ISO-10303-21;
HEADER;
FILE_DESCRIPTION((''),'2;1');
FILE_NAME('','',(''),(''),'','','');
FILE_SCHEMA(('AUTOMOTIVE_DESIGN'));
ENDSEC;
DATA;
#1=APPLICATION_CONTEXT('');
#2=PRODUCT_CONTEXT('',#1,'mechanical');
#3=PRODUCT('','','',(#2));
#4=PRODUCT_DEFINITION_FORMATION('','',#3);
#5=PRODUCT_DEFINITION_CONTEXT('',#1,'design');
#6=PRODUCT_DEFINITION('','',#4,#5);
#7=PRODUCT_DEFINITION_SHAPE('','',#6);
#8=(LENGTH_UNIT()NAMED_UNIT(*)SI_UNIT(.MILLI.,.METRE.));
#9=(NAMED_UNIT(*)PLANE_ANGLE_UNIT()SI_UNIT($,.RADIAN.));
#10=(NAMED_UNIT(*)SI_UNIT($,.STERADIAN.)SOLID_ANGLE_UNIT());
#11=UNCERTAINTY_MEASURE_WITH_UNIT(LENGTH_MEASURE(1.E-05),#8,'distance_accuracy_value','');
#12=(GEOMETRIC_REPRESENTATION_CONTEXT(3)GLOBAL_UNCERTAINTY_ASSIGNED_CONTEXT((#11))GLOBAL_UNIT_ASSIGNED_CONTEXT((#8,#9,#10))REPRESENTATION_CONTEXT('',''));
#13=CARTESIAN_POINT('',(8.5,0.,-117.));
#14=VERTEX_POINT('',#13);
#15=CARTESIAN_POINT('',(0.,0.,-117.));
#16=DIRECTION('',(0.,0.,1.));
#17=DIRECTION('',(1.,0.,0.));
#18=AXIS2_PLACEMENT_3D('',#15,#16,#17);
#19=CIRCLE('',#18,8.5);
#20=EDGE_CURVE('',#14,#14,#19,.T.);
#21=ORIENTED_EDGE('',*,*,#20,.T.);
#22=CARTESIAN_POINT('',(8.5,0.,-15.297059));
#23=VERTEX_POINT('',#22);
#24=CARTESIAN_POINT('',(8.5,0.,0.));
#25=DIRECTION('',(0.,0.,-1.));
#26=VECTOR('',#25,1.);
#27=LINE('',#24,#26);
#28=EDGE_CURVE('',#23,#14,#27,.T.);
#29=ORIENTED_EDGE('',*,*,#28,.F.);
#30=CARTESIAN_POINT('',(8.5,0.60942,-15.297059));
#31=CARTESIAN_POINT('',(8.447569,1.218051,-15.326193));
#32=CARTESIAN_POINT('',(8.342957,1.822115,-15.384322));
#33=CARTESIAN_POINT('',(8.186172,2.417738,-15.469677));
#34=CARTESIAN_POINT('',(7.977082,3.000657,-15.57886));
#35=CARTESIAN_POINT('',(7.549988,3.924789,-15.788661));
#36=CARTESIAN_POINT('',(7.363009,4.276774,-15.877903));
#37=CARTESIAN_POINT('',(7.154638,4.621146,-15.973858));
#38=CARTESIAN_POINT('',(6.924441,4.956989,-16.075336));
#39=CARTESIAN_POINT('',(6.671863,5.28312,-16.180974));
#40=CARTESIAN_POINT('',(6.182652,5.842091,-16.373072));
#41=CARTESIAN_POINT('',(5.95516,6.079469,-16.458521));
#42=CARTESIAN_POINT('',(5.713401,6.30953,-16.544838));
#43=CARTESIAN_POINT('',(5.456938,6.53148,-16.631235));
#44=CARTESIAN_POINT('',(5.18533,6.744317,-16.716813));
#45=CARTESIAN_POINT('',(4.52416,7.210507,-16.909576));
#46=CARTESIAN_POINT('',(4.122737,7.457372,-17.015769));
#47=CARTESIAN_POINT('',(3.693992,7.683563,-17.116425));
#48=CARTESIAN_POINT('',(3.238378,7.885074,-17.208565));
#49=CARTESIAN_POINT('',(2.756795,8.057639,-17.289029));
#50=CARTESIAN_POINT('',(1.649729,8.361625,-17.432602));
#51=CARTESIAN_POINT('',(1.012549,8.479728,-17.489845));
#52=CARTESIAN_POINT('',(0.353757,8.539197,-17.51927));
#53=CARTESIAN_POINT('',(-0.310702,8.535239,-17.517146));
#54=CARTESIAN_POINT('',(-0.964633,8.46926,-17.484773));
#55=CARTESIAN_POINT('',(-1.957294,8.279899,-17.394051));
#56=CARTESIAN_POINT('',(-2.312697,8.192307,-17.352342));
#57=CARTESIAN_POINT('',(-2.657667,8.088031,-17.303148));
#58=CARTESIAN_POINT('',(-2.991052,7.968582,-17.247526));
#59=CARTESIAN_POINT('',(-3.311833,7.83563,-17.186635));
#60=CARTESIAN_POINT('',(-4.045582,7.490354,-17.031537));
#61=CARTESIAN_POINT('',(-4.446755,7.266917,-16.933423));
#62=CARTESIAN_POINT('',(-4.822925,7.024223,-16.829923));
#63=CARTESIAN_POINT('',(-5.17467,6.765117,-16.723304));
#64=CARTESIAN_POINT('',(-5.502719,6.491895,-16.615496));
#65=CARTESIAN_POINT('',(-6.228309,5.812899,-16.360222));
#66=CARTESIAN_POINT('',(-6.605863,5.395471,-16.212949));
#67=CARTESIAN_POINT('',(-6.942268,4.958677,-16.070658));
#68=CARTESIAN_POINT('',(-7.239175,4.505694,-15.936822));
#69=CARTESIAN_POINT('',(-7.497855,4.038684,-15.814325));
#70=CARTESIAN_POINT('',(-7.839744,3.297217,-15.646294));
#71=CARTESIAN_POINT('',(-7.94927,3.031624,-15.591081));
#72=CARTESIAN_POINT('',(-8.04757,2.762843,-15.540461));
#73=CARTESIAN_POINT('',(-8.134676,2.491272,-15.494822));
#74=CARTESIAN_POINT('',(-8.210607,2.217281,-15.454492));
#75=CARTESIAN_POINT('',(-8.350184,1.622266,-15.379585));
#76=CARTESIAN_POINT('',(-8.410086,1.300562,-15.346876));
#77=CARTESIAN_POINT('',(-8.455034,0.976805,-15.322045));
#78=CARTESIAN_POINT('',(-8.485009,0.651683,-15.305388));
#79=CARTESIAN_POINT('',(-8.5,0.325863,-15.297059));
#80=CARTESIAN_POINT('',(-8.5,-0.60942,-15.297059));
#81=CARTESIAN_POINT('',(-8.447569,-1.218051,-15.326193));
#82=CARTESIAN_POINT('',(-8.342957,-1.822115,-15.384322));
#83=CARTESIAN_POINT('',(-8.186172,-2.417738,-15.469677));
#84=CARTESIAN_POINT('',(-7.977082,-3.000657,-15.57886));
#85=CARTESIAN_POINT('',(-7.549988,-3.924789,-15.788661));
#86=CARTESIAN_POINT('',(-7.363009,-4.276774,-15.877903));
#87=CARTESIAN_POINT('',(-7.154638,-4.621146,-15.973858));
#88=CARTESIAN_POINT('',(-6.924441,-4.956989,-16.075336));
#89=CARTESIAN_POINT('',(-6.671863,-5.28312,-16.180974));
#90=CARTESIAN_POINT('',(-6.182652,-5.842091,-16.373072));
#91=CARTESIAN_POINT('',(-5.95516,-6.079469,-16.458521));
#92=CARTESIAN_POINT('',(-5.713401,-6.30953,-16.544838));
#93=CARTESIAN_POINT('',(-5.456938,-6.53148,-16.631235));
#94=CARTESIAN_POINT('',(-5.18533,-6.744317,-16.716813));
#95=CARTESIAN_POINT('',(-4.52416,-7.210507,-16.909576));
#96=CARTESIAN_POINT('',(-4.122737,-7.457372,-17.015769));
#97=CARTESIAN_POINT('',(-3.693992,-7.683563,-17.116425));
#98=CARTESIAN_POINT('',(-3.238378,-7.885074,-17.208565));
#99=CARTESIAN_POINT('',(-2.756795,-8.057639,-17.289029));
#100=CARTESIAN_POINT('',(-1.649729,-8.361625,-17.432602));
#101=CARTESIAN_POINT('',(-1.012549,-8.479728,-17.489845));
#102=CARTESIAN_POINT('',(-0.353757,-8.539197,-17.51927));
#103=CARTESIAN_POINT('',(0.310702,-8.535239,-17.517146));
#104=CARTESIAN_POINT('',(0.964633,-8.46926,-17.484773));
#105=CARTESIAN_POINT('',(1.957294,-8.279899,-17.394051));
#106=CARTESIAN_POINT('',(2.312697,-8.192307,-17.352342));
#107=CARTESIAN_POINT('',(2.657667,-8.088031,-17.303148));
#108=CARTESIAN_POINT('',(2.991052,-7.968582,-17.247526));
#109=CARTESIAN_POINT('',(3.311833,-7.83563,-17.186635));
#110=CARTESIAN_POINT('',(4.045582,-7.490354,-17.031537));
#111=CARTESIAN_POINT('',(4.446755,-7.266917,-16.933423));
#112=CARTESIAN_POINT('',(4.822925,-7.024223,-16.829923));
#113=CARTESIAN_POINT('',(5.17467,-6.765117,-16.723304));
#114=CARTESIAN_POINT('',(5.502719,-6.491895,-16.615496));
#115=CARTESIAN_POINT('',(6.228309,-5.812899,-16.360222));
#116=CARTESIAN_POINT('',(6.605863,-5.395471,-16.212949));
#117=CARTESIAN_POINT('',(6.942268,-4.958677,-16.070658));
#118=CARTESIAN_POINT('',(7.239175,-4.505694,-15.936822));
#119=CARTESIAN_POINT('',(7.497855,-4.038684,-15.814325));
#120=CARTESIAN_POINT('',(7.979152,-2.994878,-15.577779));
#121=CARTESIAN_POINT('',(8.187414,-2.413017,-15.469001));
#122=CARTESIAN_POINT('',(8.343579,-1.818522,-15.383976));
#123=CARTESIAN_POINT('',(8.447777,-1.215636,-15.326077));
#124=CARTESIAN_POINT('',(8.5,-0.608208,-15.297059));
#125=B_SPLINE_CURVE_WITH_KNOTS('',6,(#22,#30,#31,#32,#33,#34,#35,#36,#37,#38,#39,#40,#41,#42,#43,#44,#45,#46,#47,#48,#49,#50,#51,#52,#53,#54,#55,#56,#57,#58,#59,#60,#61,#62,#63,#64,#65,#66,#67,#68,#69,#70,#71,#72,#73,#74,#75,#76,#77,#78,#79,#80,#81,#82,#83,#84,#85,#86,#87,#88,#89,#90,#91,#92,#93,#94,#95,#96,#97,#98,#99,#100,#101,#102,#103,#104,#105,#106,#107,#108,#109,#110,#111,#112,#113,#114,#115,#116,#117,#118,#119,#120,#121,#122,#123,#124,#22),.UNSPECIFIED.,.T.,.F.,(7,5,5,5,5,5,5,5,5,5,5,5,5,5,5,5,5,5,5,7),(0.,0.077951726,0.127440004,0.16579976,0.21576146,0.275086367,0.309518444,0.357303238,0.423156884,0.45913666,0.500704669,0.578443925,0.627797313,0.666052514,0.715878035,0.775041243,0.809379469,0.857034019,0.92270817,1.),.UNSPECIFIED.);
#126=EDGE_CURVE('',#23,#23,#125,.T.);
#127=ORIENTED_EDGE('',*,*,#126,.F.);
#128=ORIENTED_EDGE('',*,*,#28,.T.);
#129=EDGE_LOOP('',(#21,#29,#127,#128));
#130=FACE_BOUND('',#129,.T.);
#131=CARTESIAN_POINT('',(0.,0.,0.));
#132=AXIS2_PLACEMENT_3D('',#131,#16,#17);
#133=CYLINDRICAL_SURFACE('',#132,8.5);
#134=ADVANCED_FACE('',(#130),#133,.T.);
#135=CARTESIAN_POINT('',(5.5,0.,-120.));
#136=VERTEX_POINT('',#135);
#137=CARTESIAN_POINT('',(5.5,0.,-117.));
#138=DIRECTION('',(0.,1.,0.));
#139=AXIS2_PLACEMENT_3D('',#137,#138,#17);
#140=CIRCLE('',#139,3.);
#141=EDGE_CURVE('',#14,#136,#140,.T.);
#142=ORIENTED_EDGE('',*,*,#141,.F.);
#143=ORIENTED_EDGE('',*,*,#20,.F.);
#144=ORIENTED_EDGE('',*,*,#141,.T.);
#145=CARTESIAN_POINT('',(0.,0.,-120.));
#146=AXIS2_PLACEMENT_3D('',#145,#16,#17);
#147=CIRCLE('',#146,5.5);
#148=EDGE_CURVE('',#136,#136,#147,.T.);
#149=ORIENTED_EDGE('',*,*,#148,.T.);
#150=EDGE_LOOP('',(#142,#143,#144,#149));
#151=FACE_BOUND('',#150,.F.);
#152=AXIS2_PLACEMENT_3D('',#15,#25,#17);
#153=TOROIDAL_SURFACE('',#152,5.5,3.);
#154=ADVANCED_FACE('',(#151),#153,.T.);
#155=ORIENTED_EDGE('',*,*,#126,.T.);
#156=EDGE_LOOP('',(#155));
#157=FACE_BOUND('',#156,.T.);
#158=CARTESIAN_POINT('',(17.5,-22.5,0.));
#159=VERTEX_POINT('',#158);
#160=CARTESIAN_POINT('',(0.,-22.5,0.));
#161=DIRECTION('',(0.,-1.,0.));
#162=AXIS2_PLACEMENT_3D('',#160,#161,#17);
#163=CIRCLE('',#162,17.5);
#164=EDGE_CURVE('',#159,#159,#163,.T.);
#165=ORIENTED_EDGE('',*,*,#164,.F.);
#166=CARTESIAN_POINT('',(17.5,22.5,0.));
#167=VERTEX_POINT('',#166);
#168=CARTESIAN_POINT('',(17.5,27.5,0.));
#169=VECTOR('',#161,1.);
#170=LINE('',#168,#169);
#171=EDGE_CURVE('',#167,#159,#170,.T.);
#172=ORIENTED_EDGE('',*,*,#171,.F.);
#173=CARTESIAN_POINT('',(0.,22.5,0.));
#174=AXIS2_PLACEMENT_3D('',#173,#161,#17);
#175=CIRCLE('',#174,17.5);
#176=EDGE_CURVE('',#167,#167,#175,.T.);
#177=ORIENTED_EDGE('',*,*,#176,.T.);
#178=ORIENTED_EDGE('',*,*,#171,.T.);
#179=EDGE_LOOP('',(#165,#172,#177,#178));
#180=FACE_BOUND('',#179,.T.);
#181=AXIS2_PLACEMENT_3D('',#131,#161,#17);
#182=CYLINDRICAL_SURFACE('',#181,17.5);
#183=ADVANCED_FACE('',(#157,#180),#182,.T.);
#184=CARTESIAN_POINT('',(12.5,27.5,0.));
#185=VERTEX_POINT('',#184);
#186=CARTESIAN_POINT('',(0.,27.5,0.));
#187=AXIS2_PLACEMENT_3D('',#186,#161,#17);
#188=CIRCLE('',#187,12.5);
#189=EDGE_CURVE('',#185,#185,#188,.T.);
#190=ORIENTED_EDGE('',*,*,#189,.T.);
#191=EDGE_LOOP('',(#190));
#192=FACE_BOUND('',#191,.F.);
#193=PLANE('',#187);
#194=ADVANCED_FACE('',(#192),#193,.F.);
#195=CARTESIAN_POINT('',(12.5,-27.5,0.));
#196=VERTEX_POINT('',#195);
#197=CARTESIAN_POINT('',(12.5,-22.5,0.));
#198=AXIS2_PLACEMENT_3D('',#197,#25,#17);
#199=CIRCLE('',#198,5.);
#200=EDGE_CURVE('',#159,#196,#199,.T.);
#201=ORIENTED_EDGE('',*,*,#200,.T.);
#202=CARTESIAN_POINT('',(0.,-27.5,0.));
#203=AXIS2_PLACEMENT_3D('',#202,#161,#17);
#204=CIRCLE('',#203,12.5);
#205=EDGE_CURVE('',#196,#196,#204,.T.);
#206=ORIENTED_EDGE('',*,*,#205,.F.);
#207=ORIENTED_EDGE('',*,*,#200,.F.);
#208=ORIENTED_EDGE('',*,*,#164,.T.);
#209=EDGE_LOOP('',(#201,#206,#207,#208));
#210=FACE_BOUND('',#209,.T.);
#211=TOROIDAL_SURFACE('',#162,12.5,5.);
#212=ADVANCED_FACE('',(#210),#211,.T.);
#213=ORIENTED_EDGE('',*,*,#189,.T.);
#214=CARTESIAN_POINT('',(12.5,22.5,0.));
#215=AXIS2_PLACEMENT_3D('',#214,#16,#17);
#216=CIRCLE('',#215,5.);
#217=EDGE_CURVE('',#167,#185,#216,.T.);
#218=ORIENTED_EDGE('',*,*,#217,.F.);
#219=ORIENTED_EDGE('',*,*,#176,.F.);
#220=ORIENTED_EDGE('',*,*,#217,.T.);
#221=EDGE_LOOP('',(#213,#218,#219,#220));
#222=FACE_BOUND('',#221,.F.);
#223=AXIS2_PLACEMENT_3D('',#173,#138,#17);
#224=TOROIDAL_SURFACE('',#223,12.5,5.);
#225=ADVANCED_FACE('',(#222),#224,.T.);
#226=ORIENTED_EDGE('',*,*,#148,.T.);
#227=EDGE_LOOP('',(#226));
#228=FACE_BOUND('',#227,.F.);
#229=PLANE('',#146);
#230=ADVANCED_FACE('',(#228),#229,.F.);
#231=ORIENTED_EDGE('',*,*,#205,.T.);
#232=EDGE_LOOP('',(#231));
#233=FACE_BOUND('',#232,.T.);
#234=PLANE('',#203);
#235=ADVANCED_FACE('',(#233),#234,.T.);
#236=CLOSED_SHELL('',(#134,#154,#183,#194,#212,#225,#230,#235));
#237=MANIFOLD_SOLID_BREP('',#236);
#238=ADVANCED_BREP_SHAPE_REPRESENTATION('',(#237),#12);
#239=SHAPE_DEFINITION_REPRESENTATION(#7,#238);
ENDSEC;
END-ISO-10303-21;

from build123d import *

# Parameters (mm, degrees)
F0_R     = 17.5
F1_DEPTH = 27.5
F2_R     = 8.5
F3_DEPTH = 120
F4_R     = 5
F5_R     = 3


with BuildPart() as f1:
    # F0 (on Front) → F1 (new body, symmetric)
    with BuildSketch(Plane.XZ):
        Circle(F0_R)
    extrude(amount=F1_DEPTH, both=True)

    # F2 (on Top) → F3 (join)
    with BuildSketch(Plane.XY):
        Circle(F2_R)
    extrude(amount=-F3_DEPTH)

    # F4
    f4_edges = [f1.edges().sort_by_distance(p)[0] for p in [
        (-17.5, 27.5, 0),
        (-17.5, -27.5, 0),
    ]]
    fillet(f4_edges, radius=F4_R)

    # F5
    f5_edges = [f1.edges().sort_by_distance(p)[0] for p in [
        (-8.5, 0, -120),
    ]]
    fillet(f5_edges, radius=F5_R)


solid = f1.part
